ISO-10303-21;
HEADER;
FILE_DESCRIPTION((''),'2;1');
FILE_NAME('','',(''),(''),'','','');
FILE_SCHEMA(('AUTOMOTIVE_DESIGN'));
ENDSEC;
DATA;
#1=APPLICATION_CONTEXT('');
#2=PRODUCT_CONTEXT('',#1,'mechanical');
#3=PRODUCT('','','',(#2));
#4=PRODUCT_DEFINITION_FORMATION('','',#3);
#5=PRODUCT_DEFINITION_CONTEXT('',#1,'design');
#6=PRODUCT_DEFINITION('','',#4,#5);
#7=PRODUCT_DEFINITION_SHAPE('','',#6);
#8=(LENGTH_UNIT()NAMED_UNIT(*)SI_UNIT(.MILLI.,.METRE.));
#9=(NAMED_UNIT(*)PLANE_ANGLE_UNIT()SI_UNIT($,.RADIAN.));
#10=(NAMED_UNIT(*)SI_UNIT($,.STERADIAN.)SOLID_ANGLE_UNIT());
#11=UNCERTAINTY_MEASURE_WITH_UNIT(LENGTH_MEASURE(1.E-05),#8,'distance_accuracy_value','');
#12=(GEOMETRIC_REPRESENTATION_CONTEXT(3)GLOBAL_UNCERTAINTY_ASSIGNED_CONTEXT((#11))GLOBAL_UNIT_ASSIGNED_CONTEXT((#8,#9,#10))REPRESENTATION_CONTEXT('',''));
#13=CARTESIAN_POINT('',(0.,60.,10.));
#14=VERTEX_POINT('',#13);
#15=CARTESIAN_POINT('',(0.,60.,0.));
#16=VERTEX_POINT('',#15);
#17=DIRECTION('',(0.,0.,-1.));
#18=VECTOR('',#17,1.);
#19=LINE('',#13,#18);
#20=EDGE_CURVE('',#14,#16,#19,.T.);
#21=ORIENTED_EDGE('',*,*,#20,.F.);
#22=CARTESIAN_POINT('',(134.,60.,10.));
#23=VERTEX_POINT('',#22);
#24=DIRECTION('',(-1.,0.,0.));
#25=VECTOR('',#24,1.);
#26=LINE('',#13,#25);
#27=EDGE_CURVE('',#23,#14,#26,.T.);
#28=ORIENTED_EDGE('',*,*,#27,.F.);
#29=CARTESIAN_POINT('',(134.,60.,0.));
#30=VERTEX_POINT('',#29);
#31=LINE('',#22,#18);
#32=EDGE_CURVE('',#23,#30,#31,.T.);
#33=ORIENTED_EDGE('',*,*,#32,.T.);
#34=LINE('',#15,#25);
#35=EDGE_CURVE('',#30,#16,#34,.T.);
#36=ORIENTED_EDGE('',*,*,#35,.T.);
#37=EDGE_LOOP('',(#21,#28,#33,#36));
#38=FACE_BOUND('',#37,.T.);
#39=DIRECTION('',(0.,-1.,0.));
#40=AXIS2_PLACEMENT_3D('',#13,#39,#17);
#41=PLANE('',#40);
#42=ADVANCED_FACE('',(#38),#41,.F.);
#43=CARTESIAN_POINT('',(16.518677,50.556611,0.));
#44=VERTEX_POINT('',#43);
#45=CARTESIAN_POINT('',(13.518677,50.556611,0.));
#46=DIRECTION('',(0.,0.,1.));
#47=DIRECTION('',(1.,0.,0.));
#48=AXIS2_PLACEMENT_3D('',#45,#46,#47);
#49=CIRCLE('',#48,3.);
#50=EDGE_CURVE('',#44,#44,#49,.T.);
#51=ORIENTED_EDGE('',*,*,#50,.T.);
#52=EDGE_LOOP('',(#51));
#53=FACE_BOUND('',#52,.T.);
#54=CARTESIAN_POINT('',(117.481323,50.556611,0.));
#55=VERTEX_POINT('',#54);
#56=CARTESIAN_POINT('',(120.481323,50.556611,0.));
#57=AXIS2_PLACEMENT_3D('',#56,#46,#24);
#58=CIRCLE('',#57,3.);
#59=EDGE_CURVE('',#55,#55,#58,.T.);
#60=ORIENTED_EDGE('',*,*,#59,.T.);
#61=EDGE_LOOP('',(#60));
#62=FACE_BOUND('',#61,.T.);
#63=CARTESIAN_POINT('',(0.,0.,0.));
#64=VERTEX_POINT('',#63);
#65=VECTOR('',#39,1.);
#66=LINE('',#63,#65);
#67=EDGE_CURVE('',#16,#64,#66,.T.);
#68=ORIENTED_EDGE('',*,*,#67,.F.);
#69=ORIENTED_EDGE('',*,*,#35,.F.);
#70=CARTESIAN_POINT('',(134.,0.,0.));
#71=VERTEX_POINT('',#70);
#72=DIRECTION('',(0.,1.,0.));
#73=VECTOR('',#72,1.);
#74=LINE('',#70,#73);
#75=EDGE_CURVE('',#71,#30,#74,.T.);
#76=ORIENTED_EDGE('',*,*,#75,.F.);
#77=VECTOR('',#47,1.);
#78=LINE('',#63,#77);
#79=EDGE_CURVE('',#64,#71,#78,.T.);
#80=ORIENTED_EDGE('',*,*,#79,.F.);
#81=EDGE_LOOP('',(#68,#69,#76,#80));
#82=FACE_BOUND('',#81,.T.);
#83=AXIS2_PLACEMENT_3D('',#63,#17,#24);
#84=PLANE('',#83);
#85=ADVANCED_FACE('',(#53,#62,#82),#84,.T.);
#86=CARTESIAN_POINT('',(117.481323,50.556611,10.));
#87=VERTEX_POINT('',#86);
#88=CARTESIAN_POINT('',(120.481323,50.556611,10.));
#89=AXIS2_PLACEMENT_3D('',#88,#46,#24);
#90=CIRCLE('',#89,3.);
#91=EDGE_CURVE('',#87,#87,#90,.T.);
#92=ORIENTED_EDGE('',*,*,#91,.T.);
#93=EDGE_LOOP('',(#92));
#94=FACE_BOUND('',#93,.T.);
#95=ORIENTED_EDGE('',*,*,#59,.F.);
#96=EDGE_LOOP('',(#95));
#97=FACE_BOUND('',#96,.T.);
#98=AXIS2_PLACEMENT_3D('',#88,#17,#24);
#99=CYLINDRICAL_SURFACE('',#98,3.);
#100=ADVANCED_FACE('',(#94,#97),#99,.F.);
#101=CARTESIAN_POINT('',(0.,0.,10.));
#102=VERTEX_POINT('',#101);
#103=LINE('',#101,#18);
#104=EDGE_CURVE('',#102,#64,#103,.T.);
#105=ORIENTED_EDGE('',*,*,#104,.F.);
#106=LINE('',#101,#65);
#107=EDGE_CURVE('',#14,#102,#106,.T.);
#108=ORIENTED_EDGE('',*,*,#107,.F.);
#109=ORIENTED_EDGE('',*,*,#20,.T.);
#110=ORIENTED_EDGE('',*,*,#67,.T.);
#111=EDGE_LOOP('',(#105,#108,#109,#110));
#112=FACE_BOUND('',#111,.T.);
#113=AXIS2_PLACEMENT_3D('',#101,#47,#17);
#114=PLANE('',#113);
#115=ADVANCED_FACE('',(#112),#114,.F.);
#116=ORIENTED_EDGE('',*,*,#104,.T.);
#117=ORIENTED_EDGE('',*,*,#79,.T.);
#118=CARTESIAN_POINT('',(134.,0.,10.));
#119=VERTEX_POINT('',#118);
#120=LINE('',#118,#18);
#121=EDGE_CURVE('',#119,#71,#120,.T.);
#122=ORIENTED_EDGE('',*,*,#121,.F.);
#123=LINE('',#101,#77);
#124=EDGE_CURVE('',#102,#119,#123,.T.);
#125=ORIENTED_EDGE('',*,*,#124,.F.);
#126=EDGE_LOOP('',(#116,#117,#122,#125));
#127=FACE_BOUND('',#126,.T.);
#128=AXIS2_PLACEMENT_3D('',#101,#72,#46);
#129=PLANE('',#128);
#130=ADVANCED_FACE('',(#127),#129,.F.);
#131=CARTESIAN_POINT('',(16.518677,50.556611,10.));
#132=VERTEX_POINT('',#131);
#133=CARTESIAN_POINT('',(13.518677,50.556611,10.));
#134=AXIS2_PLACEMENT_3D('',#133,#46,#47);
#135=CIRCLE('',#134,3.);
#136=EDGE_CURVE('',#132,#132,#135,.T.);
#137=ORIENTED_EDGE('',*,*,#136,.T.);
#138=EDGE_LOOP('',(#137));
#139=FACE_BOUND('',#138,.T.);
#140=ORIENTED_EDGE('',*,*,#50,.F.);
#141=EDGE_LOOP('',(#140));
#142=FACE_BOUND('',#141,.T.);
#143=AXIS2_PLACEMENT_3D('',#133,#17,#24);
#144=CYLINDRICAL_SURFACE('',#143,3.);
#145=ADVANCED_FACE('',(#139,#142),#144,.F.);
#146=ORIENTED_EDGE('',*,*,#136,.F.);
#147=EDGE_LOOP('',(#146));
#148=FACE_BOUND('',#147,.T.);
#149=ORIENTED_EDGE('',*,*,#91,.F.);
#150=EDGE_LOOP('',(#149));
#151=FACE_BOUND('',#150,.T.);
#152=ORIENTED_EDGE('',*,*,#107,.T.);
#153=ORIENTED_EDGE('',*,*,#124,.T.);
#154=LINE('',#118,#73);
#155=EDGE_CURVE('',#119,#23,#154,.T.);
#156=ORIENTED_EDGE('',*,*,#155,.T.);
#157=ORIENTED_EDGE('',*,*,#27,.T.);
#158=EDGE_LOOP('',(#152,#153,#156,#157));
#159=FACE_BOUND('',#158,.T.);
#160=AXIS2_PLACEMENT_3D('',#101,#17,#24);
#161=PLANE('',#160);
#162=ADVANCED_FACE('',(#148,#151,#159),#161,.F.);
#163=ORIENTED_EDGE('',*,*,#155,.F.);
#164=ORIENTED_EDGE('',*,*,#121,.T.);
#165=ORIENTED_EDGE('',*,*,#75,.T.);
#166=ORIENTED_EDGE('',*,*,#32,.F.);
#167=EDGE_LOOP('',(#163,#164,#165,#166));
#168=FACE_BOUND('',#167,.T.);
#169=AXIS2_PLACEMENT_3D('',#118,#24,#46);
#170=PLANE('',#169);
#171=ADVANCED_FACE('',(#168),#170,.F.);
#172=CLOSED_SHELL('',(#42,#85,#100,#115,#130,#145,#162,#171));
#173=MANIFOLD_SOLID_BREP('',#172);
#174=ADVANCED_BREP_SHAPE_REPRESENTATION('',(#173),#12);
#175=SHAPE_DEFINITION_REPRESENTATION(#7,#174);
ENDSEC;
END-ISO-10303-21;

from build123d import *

# Parameters (mm, degrees)
CROQUIS1_W              = 134
CROQUIS1_H              = 60
CROQUIS1_R              = 3
SALIENTE_EXTRUIR1_DEPTH = 10


with BuildPart() as part:
    # Croquis1 → Saliente-Extruir1 (new body)
    with BuildSketch(Plane.XY):
        with Locations((67, 30)):
            Rectangle(CROQUIS1_W, CROQUIS1_H)
        with Locations((13.518676596, 50.556610738)):
            Circle(CROQUIS1_R, mode=Mode.SUBTRACT)
        with Locations((120.481323404, 50.556610738)):
            Circle(CROQUIS1_R, mode=Mode.SUBTRACT)
    extrude(amount=SALIENTE_EXTRUIR1_DEPTH)


solid = part.part
